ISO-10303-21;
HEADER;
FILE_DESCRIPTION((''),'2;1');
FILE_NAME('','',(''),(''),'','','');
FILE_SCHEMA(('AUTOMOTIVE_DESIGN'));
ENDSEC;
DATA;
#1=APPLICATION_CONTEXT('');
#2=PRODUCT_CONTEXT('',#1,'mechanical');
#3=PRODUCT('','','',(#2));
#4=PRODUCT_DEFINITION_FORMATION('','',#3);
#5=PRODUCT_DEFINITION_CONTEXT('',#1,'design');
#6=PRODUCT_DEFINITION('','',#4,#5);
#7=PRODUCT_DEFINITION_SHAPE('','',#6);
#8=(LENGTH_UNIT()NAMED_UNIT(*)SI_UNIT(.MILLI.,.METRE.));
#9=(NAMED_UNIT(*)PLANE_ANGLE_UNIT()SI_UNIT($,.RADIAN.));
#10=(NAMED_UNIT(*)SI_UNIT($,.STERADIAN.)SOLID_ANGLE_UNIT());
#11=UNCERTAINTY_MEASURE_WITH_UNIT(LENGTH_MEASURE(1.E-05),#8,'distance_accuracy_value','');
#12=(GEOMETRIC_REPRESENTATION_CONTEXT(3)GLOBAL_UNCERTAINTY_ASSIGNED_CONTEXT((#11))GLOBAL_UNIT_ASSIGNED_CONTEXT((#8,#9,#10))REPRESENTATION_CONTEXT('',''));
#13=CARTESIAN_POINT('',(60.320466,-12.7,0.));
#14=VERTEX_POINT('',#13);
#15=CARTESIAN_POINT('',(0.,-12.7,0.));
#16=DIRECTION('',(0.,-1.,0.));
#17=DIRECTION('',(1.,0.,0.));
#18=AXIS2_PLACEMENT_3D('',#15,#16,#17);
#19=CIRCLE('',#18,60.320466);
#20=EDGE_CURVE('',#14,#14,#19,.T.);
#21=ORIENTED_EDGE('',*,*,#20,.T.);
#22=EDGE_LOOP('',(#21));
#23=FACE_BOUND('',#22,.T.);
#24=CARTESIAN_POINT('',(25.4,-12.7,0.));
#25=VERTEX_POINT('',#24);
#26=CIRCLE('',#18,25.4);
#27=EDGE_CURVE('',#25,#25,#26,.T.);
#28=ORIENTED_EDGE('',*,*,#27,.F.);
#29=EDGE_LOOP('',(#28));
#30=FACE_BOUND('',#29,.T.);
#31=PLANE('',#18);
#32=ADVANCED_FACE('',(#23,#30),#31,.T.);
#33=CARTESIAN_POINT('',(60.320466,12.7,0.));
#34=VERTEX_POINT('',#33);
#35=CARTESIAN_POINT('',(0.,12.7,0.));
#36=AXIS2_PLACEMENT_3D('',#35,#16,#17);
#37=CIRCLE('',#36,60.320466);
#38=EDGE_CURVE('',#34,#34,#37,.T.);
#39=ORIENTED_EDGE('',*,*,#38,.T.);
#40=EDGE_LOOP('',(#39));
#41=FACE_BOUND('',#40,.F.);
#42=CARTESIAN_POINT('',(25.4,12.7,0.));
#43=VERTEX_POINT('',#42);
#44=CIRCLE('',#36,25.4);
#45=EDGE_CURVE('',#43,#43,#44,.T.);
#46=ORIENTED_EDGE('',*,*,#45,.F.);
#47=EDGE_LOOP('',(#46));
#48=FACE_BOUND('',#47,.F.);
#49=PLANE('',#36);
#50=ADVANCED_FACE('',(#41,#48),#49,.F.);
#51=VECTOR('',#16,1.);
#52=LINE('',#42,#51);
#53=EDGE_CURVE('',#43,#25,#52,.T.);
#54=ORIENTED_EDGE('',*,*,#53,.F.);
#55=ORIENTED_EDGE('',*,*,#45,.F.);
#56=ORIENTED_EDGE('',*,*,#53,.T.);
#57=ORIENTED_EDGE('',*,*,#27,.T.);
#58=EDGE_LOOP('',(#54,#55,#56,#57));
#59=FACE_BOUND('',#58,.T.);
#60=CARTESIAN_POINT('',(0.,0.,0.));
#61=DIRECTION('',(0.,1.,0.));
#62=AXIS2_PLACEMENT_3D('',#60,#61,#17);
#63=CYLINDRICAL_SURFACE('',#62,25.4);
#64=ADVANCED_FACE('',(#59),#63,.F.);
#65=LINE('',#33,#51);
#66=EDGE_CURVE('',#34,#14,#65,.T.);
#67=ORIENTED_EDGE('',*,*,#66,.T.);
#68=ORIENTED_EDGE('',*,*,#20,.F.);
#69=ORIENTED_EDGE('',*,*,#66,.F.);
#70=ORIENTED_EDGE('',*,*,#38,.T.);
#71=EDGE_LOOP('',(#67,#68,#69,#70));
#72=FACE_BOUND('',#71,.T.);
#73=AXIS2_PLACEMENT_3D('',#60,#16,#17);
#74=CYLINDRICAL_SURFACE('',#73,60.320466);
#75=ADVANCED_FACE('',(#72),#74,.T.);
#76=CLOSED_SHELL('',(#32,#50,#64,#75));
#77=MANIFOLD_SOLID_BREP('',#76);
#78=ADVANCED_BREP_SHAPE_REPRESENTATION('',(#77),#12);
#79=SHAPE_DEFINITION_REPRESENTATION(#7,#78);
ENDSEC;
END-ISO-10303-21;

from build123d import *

# Parameters (mm, degrees)
F0_R     = 60.320466
F0_R_2   = 25.4
F1_DEPTH = 10.16
F2_DEPTH = 12.7


with BuildPart() as f1:
    # F0 (on Front) → F1 (new body)
    with BuildSketch(Plane.XZ):
        Circle(F0_R)
        Circle(F0_R_2, mode=Mode.SUBTRACT)
    extrude(amount=F1_DEPTH)

    # F0 (on Front) → F2 (join, symmetric)
    with BuildSketch(Plane.XZ):
        Circle(F0_R)
        Circle(F0_R_2, mode=Mode.SUBTRACT)
    extrude(amount=F2_DEPTH, both=True)


solid = f1.part
